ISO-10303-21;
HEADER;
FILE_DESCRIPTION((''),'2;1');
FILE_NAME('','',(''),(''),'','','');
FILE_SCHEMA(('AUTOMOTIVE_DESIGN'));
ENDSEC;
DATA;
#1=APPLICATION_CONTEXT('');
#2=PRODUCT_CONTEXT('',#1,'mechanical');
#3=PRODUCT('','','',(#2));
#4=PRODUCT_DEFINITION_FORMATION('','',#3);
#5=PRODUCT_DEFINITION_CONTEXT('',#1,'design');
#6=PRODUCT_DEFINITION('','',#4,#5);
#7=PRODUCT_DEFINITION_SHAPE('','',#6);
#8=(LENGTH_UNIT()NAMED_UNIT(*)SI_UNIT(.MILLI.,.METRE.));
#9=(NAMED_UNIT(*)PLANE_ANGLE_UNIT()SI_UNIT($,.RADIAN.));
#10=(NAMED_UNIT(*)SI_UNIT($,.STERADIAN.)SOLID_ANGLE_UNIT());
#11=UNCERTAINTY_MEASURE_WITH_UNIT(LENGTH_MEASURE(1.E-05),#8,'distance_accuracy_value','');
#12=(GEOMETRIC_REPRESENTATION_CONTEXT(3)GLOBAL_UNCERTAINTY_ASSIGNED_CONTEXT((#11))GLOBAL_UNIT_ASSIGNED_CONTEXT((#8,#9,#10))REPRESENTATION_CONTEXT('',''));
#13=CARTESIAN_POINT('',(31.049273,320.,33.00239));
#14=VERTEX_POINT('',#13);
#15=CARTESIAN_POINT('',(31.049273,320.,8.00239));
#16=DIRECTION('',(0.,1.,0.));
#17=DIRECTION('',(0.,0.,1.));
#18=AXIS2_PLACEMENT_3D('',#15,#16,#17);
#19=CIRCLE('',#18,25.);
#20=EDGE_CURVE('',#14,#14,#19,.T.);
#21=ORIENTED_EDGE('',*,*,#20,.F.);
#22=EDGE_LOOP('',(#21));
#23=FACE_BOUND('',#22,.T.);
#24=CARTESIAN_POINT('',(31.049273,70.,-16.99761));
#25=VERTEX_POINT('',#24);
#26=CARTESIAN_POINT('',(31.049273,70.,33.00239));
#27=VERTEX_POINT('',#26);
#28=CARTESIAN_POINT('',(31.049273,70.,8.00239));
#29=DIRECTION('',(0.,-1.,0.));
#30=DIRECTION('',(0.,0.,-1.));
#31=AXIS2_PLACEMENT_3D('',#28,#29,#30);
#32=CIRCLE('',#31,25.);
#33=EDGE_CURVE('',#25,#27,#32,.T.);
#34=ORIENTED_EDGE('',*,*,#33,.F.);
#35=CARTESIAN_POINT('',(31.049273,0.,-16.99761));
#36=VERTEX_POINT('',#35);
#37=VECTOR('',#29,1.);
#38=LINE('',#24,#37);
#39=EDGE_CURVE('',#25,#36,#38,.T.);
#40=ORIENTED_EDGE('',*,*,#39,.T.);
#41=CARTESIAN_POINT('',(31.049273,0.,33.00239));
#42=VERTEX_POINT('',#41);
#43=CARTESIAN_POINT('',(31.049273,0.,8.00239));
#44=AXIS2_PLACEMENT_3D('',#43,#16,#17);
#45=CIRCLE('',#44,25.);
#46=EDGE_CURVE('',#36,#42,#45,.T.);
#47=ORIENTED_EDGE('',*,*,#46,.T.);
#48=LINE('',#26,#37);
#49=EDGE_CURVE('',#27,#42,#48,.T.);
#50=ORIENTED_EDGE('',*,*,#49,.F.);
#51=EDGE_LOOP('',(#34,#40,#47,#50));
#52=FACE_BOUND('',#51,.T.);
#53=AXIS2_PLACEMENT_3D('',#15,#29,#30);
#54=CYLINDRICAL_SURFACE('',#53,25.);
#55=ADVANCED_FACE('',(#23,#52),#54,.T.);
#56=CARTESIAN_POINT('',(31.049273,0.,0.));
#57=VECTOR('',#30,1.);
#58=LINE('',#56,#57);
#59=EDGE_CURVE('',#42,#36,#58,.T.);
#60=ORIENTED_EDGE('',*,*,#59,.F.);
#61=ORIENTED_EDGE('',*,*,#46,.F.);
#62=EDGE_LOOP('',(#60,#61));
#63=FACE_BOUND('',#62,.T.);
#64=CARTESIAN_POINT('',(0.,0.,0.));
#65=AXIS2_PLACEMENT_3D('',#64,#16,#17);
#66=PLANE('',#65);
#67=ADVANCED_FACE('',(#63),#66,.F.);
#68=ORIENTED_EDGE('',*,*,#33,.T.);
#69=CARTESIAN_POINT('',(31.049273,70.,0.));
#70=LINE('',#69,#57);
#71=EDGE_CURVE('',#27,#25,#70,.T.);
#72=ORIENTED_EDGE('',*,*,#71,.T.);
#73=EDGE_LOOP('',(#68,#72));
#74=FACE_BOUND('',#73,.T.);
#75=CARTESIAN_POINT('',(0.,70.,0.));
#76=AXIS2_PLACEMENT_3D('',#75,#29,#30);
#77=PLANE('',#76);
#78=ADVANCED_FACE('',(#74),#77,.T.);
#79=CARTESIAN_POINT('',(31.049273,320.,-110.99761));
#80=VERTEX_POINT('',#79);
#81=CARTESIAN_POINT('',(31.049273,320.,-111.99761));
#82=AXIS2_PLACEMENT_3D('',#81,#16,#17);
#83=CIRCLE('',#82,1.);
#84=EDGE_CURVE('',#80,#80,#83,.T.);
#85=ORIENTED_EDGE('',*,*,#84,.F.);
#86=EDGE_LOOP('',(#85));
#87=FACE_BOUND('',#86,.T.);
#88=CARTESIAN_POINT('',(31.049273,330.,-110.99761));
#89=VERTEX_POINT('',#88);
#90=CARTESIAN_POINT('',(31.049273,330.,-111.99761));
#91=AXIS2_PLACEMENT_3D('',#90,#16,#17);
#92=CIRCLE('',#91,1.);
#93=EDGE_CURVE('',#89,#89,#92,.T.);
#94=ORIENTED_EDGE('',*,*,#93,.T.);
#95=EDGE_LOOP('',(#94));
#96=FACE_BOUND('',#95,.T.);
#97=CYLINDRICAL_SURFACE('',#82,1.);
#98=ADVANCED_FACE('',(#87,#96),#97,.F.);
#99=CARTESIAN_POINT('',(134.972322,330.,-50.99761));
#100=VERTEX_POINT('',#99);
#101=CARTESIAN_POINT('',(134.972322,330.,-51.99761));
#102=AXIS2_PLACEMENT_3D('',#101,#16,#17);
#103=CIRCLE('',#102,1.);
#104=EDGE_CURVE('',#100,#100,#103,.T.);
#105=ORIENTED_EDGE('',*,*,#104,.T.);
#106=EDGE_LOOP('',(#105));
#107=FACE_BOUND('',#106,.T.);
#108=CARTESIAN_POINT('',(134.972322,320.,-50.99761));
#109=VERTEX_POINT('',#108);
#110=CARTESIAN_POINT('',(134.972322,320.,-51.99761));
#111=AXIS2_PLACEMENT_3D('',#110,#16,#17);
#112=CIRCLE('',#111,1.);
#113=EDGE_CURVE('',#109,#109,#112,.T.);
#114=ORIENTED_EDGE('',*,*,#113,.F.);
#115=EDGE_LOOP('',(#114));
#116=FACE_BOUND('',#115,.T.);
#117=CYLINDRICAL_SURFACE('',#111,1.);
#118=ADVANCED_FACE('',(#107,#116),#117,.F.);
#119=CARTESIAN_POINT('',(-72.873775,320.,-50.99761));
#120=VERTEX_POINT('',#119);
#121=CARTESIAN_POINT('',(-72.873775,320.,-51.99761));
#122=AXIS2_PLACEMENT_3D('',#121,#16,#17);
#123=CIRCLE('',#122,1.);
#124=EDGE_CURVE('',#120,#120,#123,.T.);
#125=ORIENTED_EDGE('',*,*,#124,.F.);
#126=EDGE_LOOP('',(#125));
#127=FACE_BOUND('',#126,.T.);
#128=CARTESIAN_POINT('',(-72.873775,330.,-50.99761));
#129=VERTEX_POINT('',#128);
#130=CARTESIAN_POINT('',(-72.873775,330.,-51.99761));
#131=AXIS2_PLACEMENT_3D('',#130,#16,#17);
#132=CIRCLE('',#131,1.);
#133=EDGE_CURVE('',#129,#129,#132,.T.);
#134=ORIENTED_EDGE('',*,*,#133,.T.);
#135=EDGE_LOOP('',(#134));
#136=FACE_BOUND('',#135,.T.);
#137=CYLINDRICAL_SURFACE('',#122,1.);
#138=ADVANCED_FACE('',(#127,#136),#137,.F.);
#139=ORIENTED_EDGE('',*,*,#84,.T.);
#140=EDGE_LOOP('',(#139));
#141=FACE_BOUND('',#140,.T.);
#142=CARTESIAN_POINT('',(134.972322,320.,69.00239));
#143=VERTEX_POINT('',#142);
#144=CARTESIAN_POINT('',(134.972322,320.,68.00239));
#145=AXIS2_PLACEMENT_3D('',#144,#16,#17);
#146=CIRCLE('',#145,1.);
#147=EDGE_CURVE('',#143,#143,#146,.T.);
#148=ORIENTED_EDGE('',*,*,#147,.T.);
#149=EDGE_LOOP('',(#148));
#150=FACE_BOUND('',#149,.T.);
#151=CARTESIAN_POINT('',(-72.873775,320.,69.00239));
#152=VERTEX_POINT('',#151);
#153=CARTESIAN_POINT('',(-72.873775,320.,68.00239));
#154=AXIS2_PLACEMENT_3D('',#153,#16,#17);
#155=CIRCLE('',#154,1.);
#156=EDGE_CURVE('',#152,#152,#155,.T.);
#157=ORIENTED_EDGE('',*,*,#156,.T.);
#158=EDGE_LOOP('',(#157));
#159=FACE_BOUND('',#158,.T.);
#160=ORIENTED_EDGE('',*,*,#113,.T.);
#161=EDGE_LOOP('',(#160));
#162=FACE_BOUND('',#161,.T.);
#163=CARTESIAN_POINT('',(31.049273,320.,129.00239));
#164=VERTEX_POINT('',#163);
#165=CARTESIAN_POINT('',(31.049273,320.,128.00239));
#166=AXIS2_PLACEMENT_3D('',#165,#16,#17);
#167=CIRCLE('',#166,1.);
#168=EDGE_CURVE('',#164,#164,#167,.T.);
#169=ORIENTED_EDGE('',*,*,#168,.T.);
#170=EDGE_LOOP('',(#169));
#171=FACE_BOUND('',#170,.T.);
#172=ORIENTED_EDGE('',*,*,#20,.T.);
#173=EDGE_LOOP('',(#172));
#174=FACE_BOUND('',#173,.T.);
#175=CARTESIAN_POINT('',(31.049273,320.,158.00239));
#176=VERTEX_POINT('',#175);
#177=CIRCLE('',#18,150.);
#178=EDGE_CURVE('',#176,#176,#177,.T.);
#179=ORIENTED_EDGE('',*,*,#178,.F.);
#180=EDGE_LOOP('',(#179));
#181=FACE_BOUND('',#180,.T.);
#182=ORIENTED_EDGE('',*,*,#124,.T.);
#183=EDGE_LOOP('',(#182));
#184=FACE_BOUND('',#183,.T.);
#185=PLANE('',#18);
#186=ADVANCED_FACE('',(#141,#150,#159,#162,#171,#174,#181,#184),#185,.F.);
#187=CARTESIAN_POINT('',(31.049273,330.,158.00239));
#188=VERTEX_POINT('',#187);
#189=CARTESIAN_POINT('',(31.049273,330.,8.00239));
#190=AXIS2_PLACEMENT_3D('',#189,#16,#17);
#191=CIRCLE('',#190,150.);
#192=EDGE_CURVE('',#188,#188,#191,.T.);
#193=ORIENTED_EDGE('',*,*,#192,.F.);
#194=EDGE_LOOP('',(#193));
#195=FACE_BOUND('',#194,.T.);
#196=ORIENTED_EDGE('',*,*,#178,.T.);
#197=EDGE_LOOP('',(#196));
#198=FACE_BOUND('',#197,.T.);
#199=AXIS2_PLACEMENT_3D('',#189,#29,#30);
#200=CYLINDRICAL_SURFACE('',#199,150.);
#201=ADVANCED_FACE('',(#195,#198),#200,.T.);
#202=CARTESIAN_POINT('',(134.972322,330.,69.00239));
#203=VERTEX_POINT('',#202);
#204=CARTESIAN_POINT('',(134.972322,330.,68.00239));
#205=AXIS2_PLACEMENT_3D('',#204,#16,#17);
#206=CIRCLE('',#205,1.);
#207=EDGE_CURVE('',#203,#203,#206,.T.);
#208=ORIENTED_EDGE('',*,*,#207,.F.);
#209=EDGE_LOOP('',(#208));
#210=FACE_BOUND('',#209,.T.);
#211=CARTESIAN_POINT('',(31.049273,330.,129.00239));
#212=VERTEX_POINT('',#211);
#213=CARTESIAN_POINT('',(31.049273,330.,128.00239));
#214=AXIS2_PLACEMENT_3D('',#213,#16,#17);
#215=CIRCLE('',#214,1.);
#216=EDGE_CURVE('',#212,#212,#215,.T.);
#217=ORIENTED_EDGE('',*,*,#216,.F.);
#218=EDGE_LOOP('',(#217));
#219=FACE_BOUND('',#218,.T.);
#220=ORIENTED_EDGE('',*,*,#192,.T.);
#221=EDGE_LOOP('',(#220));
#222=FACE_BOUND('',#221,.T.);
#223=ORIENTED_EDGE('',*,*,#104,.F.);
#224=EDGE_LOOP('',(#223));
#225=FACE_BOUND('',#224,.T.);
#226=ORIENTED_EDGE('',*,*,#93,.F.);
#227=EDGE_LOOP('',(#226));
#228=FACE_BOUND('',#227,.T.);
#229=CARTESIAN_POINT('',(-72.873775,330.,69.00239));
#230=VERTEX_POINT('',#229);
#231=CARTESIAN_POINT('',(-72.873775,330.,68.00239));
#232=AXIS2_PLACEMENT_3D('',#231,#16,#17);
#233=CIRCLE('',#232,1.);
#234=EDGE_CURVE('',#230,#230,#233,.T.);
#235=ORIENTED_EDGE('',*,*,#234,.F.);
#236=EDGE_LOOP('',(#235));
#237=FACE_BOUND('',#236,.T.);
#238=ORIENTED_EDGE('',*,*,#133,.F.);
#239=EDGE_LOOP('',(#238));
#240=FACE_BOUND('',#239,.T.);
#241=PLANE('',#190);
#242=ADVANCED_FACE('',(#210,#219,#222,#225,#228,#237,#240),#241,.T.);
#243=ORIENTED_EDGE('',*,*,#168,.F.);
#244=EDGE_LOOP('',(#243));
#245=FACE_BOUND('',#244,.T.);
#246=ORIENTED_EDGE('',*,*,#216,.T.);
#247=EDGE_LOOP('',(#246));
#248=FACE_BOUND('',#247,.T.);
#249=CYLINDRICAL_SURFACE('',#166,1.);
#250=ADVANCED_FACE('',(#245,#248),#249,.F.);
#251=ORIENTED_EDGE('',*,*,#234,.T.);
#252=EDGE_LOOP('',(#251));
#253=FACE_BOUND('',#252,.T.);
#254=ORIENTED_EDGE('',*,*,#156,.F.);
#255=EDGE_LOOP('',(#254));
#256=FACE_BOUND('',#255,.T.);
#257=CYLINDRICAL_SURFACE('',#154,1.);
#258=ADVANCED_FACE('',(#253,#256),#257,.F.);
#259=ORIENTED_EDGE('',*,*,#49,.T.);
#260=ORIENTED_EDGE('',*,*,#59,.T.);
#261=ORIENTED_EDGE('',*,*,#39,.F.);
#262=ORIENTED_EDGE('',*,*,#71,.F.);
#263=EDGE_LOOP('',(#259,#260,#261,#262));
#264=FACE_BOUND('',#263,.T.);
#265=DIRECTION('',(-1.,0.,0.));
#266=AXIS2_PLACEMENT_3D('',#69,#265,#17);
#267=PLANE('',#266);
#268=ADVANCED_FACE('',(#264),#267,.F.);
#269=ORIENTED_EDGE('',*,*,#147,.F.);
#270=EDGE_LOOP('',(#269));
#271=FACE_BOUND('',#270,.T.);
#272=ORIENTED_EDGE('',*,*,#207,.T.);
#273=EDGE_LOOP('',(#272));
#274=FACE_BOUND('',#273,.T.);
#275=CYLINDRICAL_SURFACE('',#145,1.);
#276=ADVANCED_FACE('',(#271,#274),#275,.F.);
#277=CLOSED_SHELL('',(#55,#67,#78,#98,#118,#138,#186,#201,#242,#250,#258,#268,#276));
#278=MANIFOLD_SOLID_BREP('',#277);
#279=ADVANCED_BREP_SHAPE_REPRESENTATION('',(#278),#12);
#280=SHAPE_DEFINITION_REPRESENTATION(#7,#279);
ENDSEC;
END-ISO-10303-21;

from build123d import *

# Parameters (mm, degrees)
BOSS_EXTRU_1_DEPTH      = 320
ENL_V_MAT_EXTRU_1_DEPTH = 70
ESQUISSE3_R             = 150
BOSS_EXTRU_2_DEPTH      = 10
ESQUISSE4_R             = 1
ENL_V_MAT_EXTRU_2_DEPTH = 10


with BuildPart() as part:
    # Esquisse1 → Boss.-Extru.1 (new body)
    with BuildSketch(Plane(origin=(0, 0, 0), x_dir=(1, 0, 0), z_dir=(0, 1, 0))):
        with BuildLine():
            ThreePointArc((56.049273334, -8.002390035), (31.049273334, 16.997609965), (6.049273334, -8.002390035))
            Line((6.049273334, -8.002390035), (56.049273334, -8.002390035))
        make_face()
        with BuildLine():
            Line((56.049273334, -8.002390035), (6.049273334, -8.002390035))
            ThreePointArc((6.049273334, -8.002390035), (31.049273334, -33.002390035), (56.049273334, -8.002390035))
        make_face()
    extrude(amount=BOSS_EXTRU_1_DEPTH)

    # Esquisse2 → Enlèv. mat.-Extru.1 (cut)
    with BuildSketch(Plane(origin=(0, 0, 0), x_dir=(-1, 0, 0), z_dir=(0, -1, 0))):
        with BuildLine():
            Line((-31.049273334, -33.002390035), (-31.049273334, 16.997609965))
            ThreePointArc((-31.049273334, 16.997609965), (-56.049273334, -8.002390035), (-31.049273334, -33.002390035))
        make_face()
    extrude(amount=-ENL_V_MAT_EXTRU_1_DEPTH, mode=Mode.SUBTRACT)

    # Esquisse3 → Boss.-Extru.2 (add)
    with BuildSketch(Plane(origin=(0, 320, 0), x_dir=(1, 0, 0), z_dir=(0, 1, 0))):
        with Locations(Location((31.049273334, -8.002390035, 0), (0, 0, 270))):
            Circle(ESQUISSE3_R)
    extrude(amount=BOSS_EXTRU_2_DEPTH)

    # Esquisse4 → Enlèv. mat.-Extru.2 (cut)
    with BuildSketch(Plane(origin=(0, 330, 0), x_dir=(1, 0, 0), z_dir=(0, 1, 0))):
        with Locations(Location((-72.87377512, -68.002390035, 0), (0, 0, 270))):
            Circle(ESQUISSE4_R)
        with Locations(Location((-72.87377512, 51.997609965, 0), (0, 0, 270))):
            Circle(ESQUISSE4_R)
        with Locations(Location((31.049273334, 111.997609965, 0), (0, 0, 270))):
            Circle(ESQUISSE4_R)
        with Locations(Location((134.972321788, 51.997609965, 0), (0, 0, 270))):
            Circle(ESQUISSE4_R)
        with Locations(Location((134.972321788, -68.002390035, 0), (0, 0, 270))):
            Circle(ESQUISSE4_R)
        with Locations(Location((31.049273334, -128.002390035, 0), (0, 0, 270))):
            Circle(ESQUISSE4_R)
    extrude(amount=-ENL_V_MAT_EXTRU_2_DEPTH, mode=Mode.SUBTRACT)


solid = part.part
